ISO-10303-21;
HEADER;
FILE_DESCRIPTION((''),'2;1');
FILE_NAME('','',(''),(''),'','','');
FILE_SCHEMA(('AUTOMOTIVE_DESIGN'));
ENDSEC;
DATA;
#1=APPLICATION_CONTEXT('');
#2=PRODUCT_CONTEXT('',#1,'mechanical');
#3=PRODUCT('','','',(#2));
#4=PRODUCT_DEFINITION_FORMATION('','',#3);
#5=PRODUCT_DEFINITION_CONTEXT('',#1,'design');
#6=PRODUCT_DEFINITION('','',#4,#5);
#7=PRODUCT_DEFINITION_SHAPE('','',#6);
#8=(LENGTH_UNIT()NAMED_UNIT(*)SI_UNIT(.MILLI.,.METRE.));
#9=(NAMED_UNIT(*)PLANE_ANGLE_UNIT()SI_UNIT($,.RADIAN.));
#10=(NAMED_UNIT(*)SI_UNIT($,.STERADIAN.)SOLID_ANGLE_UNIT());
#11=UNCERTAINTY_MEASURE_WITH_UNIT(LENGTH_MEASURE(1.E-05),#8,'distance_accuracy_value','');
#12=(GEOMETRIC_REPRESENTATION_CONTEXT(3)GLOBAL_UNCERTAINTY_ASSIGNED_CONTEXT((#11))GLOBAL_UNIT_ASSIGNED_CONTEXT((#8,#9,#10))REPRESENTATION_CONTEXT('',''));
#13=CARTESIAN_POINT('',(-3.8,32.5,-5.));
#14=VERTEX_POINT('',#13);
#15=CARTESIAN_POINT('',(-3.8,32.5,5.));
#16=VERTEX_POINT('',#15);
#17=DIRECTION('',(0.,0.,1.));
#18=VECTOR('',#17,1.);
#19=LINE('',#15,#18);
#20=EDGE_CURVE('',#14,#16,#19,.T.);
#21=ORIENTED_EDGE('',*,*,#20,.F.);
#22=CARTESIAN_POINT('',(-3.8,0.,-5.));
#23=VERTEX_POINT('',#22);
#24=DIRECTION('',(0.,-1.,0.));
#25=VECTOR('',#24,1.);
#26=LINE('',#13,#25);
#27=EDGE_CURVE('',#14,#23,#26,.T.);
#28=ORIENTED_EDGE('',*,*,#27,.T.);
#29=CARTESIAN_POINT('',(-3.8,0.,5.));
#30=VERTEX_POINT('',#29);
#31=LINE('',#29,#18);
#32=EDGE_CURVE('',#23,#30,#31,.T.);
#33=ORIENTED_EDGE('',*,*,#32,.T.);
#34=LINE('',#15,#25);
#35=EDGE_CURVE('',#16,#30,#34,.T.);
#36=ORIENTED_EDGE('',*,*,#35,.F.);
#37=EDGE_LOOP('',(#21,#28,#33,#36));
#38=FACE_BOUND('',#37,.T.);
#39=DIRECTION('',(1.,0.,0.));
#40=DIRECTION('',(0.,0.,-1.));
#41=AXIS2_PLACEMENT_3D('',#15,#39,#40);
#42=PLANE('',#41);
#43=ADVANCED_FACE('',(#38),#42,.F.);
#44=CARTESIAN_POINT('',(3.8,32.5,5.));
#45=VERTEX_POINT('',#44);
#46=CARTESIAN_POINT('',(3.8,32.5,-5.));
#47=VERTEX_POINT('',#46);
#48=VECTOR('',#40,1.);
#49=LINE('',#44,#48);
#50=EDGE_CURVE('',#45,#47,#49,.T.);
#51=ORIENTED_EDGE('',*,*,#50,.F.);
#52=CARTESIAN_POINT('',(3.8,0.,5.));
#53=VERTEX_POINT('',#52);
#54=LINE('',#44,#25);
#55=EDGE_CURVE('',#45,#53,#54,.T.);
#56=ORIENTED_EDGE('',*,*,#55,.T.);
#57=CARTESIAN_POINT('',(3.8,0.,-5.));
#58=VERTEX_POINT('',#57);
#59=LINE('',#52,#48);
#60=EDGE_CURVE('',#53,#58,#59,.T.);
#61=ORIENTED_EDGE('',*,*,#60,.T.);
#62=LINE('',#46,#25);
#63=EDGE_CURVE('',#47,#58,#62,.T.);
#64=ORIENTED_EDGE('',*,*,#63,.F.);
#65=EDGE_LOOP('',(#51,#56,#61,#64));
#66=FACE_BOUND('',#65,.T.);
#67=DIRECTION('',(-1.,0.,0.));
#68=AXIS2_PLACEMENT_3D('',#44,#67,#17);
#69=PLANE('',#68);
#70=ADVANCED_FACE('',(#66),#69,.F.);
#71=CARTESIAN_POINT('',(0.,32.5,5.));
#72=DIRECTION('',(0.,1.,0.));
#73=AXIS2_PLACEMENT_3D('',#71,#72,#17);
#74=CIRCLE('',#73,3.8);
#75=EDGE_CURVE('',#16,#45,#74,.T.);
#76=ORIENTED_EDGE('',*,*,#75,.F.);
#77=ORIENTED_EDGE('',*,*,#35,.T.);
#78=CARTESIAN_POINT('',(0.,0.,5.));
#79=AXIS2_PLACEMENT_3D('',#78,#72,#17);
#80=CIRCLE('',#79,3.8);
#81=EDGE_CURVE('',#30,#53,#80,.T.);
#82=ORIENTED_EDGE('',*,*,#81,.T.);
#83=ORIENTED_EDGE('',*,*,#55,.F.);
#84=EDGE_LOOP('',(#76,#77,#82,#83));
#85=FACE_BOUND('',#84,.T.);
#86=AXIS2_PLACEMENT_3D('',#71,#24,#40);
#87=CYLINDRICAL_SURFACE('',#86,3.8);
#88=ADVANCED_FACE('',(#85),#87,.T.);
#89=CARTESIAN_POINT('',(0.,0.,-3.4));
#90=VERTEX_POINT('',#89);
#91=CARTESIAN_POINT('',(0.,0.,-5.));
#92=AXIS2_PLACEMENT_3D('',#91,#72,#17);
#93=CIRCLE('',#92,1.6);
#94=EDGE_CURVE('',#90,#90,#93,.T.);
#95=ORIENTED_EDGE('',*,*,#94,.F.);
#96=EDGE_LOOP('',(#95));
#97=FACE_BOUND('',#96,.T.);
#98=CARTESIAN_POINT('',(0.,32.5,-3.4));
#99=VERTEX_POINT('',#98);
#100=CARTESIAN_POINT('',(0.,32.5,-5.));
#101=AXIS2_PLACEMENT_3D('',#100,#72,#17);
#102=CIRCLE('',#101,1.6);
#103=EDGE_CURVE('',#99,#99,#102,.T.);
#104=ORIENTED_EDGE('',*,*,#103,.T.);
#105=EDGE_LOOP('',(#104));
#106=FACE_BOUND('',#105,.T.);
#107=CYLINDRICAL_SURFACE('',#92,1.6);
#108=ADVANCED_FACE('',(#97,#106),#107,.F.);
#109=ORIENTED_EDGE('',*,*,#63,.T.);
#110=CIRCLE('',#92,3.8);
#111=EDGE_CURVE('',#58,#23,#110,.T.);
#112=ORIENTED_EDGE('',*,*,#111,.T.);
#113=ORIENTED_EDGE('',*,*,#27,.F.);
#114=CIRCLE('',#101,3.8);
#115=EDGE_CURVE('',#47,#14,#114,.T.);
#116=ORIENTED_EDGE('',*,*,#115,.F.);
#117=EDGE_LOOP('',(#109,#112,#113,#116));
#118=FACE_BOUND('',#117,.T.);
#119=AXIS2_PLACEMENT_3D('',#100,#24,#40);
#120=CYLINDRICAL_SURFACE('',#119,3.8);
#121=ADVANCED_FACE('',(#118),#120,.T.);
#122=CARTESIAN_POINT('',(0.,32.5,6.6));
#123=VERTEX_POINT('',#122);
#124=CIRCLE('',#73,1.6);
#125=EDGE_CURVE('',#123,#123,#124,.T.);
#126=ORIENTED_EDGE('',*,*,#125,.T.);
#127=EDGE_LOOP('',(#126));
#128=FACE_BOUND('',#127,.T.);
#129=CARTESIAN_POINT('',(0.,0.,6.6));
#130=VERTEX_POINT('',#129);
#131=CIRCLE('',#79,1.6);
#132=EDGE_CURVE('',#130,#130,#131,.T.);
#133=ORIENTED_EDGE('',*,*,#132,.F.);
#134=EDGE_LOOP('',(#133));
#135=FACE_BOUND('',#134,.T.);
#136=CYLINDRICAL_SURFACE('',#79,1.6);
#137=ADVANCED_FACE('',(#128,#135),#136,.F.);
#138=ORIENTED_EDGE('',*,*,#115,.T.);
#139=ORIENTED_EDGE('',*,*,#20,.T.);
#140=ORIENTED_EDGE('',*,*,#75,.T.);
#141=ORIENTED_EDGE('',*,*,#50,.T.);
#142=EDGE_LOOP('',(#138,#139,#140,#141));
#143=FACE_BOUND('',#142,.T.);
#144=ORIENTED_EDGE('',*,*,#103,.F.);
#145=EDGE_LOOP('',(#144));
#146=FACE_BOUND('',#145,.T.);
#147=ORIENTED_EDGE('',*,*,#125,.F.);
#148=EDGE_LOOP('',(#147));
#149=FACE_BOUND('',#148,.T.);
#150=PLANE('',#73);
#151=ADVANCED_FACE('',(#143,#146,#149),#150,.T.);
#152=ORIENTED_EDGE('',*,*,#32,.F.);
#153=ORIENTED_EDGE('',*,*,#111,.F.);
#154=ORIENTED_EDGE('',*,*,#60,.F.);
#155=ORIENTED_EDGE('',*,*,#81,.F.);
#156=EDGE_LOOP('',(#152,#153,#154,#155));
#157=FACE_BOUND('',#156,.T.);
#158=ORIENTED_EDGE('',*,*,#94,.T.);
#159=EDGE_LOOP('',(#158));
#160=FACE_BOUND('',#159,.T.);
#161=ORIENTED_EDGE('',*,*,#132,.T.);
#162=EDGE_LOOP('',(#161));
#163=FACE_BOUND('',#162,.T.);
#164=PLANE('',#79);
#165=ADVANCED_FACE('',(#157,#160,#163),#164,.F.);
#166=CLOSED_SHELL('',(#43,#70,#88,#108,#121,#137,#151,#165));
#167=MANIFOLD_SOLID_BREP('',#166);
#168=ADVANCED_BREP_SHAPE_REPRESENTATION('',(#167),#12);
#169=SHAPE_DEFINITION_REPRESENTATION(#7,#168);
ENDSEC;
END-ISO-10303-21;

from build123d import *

# Parameters (mm, degrees)
BOSS_EXTRUDE1_DEPTH = 32.5
SKETCH2_R           = 1.6
CUT_EXTRUDE1_DEPTH  = 34.884067052


with BuildPart() as part:
    # Sketch1 → Boss-Extrude1 (new body)
    with BuildSketch(Plane(origin=(0, 0, 0), x_dir=(1, 0, 0), z_dir=(0, 1, 0))):
        with BuildLine():
            Line((-3.8, -5), (-3.8, 5))
            ThreePointArc((-3.8, 5), (0, 8.8), (3.8, 5))
            Line((3.8, 5), (3.8, -5))
            ThreePointArc((3.8, -5), (0, -8.8), (-3.8, -5))
        make_face()
    extrude(amount=BOSS_EXTRUDE1_DEPTH)

    # Sketch2 → Cut-Extrude1 (cut, through all)
    with BuildSketch(Plane(origin=(0, 32.5, 0), x_dir=(1, 0, 0), z_dir=(0, 1, 0))):
        with Locations(Location((0, 5, 0), (0, 0, 270))):
            Circle(SKETCH2_R)
        with Locations(Location((0, -5, 0), (0, 0, 270))):
            Circle(SKETCH2_R)
    extrude(amount=-CUT_EXTRUDE1_DEPTH, mode=Mode.SUBTRACT)


solid = part.part
